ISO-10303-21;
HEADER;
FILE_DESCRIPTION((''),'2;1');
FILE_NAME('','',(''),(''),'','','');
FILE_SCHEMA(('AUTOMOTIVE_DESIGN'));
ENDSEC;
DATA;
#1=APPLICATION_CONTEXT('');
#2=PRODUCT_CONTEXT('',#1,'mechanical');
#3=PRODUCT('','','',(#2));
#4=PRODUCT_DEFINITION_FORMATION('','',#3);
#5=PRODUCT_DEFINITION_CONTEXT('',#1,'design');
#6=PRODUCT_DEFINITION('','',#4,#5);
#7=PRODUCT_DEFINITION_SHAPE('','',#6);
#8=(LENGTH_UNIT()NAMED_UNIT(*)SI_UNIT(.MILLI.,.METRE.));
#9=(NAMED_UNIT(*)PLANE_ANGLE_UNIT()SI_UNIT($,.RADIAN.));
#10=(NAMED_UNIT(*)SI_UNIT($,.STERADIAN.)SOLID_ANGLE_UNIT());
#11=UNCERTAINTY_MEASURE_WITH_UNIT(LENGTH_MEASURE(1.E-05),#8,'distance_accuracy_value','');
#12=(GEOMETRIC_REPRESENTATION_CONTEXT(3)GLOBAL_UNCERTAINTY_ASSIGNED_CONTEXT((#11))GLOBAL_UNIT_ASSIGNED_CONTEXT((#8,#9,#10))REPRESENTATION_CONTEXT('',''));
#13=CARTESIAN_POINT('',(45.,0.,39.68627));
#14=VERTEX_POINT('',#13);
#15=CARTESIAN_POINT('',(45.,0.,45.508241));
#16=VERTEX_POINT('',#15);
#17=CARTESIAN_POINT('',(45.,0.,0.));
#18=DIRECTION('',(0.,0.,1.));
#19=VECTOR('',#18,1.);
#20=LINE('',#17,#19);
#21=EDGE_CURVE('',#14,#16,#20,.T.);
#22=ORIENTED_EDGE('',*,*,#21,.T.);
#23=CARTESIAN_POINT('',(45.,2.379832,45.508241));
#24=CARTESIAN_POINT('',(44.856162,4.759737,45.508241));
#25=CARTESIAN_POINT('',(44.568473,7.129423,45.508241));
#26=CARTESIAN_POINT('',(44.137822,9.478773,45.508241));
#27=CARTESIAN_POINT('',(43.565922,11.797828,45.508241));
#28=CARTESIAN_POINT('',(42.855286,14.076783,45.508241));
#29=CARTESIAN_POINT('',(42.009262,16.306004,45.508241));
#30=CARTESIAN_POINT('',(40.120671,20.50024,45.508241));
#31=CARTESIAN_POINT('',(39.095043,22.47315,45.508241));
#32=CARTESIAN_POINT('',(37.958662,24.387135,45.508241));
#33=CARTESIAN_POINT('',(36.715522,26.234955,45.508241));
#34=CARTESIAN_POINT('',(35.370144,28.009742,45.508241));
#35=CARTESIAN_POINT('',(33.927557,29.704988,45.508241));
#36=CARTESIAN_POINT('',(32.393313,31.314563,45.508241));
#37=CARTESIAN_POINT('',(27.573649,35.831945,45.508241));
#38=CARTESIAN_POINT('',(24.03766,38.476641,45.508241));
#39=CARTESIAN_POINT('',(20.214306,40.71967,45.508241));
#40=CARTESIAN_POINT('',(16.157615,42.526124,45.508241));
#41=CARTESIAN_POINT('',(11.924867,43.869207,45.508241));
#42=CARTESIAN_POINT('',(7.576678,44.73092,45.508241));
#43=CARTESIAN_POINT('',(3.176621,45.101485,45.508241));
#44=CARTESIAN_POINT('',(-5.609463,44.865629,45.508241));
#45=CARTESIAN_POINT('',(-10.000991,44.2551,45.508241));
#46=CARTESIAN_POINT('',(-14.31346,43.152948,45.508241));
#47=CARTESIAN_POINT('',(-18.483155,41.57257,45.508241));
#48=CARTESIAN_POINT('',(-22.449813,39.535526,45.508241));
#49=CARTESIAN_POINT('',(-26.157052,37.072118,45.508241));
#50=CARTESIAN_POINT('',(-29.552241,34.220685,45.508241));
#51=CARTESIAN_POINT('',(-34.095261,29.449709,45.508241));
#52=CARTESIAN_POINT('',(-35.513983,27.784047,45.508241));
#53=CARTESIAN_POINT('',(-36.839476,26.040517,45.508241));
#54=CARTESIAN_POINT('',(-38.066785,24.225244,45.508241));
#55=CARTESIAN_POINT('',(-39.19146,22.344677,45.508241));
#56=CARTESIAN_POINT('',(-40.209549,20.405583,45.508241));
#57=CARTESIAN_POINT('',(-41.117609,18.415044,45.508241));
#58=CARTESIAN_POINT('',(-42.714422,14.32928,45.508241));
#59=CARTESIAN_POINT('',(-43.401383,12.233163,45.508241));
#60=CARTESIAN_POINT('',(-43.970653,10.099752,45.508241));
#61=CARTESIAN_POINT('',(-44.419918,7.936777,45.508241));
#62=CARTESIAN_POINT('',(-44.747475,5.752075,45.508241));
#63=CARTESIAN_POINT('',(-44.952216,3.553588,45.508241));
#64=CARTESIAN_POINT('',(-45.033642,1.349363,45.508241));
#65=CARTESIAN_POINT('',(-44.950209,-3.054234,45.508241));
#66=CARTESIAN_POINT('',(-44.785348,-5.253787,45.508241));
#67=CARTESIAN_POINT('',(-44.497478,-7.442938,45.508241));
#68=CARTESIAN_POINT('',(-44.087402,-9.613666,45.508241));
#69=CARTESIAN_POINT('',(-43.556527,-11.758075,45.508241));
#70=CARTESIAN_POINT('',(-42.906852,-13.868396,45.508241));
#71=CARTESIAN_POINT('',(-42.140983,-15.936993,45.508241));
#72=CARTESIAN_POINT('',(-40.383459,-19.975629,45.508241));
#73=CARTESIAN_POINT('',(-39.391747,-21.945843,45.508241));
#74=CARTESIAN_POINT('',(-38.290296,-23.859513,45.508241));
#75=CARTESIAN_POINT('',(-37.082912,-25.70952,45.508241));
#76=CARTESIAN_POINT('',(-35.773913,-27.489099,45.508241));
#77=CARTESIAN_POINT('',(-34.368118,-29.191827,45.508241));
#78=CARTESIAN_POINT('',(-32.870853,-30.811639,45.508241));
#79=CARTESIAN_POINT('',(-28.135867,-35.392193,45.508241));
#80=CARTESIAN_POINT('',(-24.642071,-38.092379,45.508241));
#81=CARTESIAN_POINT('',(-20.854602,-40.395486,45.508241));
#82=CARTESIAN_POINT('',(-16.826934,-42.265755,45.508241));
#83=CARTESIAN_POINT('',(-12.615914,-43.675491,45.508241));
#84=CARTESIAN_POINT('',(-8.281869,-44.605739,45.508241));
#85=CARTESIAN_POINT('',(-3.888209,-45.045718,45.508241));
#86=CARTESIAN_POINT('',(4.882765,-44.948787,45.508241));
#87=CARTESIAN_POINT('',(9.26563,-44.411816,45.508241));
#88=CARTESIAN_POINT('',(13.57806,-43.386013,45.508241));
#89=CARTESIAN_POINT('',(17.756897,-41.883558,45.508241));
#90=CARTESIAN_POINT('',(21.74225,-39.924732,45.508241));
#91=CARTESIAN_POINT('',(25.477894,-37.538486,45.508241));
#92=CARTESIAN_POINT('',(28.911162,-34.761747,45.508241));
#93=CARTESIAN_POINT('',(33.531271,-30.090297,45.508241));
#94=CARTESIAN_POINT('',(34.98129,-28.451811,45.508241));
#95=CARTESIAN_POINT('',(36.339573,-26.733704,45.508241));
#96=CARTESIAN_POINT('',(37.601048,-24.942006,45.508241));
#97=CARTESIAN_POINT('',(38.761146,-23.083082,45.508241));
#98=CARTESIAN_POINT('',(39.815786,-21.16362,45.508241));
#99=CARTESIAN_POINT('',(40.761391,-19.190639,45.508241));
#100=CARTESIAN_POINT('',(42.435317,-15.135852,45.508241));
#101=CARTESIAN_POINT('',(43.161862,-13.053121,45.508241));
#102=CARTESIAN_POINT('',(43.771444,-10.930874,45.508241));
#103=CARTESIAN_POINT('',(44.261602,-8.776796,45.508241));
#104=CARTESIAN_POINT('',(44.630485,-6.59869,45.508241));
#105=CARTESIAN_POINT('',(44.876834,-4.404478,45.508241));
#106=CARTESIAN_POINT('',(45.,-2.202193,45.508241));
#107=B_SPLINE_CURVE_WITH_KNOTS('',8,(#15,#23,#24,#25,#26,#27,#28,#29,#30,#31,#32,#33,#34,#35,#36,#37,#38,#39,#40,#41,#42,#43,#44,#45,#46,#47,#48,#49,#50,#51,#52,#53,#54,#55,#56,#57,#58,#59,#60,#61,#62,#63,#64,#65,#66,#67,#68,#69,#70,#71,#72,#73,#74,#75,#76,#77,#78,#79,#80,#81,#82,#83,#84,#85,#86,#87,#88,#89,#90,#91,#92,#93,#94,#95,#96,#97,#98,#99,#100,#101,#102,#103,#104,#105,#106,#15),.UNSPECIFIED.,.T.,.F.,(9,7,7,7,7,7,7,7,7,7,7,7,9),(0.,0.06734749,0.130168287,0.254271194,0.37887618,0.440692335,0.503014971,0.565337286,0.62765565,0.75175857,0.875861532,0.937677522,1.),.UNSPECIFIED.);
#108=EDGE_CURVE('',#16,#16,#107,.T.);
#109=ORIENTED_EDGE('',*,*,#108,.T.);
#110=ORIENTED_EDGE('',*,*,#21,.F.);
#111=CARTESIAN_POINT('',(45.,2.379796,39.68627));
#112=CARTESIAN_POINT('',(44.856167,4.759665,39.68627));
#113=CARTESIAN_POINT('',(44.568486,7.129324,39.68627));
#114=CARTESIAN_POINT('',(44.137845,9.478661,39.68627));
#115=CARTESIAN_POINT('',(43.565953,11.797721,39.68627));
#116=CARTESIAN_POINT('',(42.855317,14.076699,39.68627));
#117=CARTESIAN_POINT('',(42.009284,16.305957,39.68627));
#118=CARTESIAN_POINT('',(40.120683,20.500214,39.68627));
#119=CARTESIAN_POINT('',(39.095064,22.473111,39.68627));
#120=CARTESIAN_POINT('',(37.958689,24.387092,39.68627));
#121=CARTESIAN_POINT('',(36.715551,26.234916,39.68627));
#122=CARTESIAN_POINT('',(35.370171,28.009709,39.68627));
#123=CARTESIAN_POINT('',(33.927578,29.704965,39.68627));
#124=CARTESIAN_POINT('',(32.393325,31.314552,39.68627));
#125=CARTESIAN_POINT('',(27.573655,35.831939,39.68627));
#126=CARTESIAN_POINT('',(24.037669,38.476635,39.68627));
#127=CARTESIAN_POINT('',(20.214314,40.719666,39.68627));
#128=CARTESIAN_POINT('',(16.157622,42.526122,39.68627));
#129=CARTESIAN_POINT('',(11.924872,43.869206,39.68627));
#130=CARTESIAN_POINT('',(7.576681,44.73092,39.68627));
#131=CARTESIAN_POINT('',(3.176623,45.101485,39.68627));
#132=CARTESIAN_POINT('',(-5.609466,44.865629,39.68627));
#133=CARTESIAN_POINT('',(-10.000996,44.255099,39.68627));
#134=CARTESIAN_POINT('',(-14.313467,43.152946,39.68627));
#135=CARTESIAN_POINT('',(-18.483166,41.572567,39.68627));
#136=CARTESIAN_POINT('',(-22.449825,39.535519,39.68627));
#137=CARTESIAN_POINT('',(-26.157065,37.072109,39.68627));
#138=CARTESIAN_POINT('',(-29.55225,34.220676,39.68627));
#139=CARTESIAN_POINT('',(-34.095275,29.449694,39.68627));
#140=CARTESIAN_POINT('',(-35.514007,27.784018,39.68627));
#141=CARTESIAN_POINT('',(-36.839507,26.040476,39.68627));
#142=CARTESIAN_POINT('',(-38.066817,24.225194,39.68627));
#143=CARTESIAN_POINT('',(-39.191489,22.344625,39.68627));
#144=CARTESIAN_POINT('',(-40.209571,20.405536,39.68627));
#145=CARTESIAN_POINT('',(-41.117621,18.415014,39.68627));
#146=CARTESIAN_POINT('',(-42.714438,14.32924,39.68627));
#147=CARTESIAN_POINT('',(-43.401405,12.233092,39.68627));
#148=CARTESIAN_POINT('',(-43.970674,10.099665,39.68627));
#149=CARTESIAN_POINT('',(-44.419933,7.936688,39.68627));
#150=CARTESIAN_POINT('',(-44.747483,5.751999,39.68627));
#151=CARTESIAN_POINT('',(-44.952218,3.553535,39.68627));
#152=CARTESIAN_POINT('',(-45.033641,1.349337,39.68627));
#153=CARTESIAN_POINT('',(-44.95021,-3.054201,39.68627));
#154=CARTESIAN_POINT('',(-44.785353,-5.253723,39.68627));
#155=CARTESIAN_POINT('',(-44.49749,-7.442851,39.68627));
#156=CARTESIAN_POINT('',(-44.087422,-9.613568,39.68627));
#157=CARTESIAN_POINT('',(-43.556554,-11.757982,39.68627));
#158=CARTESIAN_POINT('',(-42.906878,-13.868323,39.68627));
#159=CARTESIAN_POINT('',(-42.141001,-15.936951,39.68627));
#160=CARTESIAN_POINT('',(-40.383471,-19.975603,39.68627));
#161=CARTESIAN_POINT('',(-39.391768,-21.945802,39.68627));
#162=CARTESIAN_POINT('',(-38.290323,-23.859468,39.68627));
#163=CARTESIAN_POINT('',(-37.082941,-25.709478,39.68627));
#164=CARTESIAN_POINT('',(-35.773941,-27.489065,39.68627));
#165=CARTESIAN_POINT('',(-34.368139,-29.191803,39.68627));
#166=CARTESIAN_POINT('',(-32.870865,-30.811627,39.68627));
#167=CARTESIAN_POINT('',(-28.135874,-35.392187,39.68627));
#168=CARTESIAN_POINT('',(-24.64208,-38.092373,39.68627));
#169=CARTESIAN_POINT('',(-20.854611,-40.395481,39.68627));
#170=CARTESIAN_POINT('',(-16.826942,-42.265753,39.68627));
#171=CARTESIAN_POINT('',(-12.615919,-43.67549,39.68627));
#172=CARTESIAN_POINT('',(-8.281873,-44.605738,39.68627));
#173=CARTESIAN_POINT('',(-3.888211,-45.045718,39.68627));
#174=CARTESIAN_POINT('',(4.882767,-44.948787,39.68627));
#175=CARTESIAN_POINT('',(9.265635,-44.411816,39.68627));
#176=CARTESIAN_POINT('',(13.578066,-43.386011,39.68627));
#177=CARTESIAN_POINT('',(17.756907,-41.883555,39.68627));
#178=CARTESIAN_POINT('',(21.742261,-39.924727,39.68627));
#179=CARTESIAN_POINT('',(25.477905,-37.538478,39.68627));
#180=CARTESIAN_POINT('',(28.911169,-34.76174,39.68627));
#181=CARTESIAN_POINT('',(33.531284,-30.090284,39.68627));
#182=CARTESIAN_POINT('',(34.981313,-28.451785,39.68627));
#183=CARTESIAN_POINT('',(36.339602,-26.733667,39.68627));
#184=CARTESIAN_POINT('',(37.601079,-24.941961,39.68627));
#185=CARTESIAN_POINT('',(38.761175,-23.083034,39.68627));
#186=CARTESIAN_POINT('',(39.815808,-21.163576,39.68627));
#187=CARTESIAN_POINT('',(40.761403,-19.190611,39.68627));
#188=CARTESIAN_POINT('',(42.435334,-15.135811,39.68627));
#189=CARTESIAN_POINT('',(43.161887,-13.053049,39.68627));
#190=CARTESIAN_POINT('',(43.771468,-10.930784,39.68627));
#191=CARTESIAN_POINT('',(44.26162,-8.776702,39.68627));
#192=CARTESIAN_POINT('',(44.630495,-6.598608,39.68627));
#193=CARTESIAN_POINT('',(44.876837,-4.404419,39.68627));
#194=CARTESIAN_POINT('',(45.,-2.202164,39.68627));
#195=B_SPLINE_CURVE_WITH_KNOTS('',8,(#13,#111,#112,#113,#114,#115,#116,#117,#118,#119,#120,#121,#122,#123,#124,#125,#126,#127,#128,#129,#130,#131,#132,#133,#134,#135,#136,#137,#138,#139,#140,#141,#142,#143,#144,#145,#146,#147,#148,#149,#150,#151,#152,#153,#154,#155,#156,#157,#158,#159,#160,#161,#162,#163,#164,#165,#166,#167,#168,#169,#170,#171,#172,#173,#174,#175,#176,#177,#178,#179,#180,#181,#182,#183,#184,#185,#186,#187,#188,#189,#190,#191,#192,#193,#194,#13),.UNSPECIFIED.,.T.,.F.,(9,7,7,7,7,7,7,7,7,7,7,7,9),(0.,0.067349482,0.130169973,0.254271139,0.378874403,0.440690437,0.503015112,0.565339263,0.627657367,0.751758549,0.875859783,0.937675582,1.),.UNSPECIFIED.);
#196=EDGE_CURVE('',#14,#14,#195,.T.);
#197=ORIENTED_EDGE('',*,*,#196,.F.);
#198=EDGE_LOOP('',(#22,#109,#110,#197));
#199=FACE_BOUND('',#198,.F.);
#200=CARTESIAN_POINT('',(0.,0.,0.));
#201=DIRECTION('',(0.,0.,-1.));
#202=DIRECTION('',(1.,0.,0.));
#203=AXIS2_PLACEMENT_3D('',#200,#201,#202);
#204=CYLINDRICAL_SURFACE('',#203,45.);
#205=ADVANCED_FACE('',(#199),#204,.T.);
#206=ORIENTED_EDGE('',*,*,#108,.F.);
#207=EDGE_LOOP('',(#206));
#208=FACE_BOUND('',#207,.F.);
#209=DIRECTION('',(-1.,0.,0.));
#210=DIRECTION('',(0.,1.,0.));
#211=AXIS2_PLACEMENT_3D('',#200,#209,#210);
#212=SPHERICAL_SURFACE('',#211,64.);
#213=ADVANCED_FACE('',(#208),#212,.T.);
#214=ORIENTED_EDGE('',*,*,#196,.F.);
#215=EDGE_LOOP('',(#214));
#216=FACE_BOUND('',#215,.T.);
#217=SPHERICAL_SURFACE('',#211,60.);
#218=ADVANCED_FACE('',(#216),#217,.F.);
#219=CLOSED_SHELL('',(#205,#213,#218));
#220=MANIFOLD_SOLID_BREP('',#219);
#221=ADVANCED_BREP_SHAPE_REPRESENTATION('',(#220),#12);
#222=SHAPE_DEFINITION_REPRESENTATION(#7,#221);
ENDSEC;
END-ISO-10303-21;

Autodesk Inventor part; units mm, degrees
ref_plane "YZ Plane" through (0, 0, 0) normal (1, 0, 0) x (0, 1, 0)
ref_plane "XZ Plane" through (0, 0, 0) normal (0, 1, 0) x (-1, 0, 0)
ref_plane "XY Plane" through (0, 0, 0) normal (0, 0, 1) x (1, 0, 0)
sketch "Sketch3" plane through (0, 0, 0) normal (0, 0, 1) x (1, 0, 0)
  arc A0 (60, 0) -> (-60, 0) centre (0, 0) ccw
  line L0 (0, 0) -> (60, 0) construction
  line L1 (0, 0) -> (-60, 0) construction
  arc A1 (64, 0) -> (-64, 0) centre (0, 0) ccw
  line L2 (0, 0) -> (64, 0) construction
  line L3 (0, 0) -> (-64, 0) construction
  line L4 (-60, 0) -> (-64, 0)
  line L5 (64, 0) -> (60, 0)
  line L6 (-89.6, 0) -> (89.6, 0) projected
  dimension "d4" = 60
  dimension "d5" = 180
  dimension "d6" = 64
  dimension "d7" = 180
revolve "Revolution1" add sketch "Sketch3" angle 180 about axis through (-10, 0, 0) along (1, 0, 0) contours A0 L4 A1 L5
sketch "Sketch4" plane through (0, 0, 0) normal (0, 0, 1) x (1, 0, 0)
  circle A0 centre (0, 0) radius 64
  circle A1 centre (0, 0) radius 45
  dimension "d9" = 128
  dimension "d10" = 90
extrude "Extrusion1" cut sketch "Sketch4" along normal blind 50
properties part number "Melles Griot 01MCG023 Spherical Mirror" material "Mirror"
